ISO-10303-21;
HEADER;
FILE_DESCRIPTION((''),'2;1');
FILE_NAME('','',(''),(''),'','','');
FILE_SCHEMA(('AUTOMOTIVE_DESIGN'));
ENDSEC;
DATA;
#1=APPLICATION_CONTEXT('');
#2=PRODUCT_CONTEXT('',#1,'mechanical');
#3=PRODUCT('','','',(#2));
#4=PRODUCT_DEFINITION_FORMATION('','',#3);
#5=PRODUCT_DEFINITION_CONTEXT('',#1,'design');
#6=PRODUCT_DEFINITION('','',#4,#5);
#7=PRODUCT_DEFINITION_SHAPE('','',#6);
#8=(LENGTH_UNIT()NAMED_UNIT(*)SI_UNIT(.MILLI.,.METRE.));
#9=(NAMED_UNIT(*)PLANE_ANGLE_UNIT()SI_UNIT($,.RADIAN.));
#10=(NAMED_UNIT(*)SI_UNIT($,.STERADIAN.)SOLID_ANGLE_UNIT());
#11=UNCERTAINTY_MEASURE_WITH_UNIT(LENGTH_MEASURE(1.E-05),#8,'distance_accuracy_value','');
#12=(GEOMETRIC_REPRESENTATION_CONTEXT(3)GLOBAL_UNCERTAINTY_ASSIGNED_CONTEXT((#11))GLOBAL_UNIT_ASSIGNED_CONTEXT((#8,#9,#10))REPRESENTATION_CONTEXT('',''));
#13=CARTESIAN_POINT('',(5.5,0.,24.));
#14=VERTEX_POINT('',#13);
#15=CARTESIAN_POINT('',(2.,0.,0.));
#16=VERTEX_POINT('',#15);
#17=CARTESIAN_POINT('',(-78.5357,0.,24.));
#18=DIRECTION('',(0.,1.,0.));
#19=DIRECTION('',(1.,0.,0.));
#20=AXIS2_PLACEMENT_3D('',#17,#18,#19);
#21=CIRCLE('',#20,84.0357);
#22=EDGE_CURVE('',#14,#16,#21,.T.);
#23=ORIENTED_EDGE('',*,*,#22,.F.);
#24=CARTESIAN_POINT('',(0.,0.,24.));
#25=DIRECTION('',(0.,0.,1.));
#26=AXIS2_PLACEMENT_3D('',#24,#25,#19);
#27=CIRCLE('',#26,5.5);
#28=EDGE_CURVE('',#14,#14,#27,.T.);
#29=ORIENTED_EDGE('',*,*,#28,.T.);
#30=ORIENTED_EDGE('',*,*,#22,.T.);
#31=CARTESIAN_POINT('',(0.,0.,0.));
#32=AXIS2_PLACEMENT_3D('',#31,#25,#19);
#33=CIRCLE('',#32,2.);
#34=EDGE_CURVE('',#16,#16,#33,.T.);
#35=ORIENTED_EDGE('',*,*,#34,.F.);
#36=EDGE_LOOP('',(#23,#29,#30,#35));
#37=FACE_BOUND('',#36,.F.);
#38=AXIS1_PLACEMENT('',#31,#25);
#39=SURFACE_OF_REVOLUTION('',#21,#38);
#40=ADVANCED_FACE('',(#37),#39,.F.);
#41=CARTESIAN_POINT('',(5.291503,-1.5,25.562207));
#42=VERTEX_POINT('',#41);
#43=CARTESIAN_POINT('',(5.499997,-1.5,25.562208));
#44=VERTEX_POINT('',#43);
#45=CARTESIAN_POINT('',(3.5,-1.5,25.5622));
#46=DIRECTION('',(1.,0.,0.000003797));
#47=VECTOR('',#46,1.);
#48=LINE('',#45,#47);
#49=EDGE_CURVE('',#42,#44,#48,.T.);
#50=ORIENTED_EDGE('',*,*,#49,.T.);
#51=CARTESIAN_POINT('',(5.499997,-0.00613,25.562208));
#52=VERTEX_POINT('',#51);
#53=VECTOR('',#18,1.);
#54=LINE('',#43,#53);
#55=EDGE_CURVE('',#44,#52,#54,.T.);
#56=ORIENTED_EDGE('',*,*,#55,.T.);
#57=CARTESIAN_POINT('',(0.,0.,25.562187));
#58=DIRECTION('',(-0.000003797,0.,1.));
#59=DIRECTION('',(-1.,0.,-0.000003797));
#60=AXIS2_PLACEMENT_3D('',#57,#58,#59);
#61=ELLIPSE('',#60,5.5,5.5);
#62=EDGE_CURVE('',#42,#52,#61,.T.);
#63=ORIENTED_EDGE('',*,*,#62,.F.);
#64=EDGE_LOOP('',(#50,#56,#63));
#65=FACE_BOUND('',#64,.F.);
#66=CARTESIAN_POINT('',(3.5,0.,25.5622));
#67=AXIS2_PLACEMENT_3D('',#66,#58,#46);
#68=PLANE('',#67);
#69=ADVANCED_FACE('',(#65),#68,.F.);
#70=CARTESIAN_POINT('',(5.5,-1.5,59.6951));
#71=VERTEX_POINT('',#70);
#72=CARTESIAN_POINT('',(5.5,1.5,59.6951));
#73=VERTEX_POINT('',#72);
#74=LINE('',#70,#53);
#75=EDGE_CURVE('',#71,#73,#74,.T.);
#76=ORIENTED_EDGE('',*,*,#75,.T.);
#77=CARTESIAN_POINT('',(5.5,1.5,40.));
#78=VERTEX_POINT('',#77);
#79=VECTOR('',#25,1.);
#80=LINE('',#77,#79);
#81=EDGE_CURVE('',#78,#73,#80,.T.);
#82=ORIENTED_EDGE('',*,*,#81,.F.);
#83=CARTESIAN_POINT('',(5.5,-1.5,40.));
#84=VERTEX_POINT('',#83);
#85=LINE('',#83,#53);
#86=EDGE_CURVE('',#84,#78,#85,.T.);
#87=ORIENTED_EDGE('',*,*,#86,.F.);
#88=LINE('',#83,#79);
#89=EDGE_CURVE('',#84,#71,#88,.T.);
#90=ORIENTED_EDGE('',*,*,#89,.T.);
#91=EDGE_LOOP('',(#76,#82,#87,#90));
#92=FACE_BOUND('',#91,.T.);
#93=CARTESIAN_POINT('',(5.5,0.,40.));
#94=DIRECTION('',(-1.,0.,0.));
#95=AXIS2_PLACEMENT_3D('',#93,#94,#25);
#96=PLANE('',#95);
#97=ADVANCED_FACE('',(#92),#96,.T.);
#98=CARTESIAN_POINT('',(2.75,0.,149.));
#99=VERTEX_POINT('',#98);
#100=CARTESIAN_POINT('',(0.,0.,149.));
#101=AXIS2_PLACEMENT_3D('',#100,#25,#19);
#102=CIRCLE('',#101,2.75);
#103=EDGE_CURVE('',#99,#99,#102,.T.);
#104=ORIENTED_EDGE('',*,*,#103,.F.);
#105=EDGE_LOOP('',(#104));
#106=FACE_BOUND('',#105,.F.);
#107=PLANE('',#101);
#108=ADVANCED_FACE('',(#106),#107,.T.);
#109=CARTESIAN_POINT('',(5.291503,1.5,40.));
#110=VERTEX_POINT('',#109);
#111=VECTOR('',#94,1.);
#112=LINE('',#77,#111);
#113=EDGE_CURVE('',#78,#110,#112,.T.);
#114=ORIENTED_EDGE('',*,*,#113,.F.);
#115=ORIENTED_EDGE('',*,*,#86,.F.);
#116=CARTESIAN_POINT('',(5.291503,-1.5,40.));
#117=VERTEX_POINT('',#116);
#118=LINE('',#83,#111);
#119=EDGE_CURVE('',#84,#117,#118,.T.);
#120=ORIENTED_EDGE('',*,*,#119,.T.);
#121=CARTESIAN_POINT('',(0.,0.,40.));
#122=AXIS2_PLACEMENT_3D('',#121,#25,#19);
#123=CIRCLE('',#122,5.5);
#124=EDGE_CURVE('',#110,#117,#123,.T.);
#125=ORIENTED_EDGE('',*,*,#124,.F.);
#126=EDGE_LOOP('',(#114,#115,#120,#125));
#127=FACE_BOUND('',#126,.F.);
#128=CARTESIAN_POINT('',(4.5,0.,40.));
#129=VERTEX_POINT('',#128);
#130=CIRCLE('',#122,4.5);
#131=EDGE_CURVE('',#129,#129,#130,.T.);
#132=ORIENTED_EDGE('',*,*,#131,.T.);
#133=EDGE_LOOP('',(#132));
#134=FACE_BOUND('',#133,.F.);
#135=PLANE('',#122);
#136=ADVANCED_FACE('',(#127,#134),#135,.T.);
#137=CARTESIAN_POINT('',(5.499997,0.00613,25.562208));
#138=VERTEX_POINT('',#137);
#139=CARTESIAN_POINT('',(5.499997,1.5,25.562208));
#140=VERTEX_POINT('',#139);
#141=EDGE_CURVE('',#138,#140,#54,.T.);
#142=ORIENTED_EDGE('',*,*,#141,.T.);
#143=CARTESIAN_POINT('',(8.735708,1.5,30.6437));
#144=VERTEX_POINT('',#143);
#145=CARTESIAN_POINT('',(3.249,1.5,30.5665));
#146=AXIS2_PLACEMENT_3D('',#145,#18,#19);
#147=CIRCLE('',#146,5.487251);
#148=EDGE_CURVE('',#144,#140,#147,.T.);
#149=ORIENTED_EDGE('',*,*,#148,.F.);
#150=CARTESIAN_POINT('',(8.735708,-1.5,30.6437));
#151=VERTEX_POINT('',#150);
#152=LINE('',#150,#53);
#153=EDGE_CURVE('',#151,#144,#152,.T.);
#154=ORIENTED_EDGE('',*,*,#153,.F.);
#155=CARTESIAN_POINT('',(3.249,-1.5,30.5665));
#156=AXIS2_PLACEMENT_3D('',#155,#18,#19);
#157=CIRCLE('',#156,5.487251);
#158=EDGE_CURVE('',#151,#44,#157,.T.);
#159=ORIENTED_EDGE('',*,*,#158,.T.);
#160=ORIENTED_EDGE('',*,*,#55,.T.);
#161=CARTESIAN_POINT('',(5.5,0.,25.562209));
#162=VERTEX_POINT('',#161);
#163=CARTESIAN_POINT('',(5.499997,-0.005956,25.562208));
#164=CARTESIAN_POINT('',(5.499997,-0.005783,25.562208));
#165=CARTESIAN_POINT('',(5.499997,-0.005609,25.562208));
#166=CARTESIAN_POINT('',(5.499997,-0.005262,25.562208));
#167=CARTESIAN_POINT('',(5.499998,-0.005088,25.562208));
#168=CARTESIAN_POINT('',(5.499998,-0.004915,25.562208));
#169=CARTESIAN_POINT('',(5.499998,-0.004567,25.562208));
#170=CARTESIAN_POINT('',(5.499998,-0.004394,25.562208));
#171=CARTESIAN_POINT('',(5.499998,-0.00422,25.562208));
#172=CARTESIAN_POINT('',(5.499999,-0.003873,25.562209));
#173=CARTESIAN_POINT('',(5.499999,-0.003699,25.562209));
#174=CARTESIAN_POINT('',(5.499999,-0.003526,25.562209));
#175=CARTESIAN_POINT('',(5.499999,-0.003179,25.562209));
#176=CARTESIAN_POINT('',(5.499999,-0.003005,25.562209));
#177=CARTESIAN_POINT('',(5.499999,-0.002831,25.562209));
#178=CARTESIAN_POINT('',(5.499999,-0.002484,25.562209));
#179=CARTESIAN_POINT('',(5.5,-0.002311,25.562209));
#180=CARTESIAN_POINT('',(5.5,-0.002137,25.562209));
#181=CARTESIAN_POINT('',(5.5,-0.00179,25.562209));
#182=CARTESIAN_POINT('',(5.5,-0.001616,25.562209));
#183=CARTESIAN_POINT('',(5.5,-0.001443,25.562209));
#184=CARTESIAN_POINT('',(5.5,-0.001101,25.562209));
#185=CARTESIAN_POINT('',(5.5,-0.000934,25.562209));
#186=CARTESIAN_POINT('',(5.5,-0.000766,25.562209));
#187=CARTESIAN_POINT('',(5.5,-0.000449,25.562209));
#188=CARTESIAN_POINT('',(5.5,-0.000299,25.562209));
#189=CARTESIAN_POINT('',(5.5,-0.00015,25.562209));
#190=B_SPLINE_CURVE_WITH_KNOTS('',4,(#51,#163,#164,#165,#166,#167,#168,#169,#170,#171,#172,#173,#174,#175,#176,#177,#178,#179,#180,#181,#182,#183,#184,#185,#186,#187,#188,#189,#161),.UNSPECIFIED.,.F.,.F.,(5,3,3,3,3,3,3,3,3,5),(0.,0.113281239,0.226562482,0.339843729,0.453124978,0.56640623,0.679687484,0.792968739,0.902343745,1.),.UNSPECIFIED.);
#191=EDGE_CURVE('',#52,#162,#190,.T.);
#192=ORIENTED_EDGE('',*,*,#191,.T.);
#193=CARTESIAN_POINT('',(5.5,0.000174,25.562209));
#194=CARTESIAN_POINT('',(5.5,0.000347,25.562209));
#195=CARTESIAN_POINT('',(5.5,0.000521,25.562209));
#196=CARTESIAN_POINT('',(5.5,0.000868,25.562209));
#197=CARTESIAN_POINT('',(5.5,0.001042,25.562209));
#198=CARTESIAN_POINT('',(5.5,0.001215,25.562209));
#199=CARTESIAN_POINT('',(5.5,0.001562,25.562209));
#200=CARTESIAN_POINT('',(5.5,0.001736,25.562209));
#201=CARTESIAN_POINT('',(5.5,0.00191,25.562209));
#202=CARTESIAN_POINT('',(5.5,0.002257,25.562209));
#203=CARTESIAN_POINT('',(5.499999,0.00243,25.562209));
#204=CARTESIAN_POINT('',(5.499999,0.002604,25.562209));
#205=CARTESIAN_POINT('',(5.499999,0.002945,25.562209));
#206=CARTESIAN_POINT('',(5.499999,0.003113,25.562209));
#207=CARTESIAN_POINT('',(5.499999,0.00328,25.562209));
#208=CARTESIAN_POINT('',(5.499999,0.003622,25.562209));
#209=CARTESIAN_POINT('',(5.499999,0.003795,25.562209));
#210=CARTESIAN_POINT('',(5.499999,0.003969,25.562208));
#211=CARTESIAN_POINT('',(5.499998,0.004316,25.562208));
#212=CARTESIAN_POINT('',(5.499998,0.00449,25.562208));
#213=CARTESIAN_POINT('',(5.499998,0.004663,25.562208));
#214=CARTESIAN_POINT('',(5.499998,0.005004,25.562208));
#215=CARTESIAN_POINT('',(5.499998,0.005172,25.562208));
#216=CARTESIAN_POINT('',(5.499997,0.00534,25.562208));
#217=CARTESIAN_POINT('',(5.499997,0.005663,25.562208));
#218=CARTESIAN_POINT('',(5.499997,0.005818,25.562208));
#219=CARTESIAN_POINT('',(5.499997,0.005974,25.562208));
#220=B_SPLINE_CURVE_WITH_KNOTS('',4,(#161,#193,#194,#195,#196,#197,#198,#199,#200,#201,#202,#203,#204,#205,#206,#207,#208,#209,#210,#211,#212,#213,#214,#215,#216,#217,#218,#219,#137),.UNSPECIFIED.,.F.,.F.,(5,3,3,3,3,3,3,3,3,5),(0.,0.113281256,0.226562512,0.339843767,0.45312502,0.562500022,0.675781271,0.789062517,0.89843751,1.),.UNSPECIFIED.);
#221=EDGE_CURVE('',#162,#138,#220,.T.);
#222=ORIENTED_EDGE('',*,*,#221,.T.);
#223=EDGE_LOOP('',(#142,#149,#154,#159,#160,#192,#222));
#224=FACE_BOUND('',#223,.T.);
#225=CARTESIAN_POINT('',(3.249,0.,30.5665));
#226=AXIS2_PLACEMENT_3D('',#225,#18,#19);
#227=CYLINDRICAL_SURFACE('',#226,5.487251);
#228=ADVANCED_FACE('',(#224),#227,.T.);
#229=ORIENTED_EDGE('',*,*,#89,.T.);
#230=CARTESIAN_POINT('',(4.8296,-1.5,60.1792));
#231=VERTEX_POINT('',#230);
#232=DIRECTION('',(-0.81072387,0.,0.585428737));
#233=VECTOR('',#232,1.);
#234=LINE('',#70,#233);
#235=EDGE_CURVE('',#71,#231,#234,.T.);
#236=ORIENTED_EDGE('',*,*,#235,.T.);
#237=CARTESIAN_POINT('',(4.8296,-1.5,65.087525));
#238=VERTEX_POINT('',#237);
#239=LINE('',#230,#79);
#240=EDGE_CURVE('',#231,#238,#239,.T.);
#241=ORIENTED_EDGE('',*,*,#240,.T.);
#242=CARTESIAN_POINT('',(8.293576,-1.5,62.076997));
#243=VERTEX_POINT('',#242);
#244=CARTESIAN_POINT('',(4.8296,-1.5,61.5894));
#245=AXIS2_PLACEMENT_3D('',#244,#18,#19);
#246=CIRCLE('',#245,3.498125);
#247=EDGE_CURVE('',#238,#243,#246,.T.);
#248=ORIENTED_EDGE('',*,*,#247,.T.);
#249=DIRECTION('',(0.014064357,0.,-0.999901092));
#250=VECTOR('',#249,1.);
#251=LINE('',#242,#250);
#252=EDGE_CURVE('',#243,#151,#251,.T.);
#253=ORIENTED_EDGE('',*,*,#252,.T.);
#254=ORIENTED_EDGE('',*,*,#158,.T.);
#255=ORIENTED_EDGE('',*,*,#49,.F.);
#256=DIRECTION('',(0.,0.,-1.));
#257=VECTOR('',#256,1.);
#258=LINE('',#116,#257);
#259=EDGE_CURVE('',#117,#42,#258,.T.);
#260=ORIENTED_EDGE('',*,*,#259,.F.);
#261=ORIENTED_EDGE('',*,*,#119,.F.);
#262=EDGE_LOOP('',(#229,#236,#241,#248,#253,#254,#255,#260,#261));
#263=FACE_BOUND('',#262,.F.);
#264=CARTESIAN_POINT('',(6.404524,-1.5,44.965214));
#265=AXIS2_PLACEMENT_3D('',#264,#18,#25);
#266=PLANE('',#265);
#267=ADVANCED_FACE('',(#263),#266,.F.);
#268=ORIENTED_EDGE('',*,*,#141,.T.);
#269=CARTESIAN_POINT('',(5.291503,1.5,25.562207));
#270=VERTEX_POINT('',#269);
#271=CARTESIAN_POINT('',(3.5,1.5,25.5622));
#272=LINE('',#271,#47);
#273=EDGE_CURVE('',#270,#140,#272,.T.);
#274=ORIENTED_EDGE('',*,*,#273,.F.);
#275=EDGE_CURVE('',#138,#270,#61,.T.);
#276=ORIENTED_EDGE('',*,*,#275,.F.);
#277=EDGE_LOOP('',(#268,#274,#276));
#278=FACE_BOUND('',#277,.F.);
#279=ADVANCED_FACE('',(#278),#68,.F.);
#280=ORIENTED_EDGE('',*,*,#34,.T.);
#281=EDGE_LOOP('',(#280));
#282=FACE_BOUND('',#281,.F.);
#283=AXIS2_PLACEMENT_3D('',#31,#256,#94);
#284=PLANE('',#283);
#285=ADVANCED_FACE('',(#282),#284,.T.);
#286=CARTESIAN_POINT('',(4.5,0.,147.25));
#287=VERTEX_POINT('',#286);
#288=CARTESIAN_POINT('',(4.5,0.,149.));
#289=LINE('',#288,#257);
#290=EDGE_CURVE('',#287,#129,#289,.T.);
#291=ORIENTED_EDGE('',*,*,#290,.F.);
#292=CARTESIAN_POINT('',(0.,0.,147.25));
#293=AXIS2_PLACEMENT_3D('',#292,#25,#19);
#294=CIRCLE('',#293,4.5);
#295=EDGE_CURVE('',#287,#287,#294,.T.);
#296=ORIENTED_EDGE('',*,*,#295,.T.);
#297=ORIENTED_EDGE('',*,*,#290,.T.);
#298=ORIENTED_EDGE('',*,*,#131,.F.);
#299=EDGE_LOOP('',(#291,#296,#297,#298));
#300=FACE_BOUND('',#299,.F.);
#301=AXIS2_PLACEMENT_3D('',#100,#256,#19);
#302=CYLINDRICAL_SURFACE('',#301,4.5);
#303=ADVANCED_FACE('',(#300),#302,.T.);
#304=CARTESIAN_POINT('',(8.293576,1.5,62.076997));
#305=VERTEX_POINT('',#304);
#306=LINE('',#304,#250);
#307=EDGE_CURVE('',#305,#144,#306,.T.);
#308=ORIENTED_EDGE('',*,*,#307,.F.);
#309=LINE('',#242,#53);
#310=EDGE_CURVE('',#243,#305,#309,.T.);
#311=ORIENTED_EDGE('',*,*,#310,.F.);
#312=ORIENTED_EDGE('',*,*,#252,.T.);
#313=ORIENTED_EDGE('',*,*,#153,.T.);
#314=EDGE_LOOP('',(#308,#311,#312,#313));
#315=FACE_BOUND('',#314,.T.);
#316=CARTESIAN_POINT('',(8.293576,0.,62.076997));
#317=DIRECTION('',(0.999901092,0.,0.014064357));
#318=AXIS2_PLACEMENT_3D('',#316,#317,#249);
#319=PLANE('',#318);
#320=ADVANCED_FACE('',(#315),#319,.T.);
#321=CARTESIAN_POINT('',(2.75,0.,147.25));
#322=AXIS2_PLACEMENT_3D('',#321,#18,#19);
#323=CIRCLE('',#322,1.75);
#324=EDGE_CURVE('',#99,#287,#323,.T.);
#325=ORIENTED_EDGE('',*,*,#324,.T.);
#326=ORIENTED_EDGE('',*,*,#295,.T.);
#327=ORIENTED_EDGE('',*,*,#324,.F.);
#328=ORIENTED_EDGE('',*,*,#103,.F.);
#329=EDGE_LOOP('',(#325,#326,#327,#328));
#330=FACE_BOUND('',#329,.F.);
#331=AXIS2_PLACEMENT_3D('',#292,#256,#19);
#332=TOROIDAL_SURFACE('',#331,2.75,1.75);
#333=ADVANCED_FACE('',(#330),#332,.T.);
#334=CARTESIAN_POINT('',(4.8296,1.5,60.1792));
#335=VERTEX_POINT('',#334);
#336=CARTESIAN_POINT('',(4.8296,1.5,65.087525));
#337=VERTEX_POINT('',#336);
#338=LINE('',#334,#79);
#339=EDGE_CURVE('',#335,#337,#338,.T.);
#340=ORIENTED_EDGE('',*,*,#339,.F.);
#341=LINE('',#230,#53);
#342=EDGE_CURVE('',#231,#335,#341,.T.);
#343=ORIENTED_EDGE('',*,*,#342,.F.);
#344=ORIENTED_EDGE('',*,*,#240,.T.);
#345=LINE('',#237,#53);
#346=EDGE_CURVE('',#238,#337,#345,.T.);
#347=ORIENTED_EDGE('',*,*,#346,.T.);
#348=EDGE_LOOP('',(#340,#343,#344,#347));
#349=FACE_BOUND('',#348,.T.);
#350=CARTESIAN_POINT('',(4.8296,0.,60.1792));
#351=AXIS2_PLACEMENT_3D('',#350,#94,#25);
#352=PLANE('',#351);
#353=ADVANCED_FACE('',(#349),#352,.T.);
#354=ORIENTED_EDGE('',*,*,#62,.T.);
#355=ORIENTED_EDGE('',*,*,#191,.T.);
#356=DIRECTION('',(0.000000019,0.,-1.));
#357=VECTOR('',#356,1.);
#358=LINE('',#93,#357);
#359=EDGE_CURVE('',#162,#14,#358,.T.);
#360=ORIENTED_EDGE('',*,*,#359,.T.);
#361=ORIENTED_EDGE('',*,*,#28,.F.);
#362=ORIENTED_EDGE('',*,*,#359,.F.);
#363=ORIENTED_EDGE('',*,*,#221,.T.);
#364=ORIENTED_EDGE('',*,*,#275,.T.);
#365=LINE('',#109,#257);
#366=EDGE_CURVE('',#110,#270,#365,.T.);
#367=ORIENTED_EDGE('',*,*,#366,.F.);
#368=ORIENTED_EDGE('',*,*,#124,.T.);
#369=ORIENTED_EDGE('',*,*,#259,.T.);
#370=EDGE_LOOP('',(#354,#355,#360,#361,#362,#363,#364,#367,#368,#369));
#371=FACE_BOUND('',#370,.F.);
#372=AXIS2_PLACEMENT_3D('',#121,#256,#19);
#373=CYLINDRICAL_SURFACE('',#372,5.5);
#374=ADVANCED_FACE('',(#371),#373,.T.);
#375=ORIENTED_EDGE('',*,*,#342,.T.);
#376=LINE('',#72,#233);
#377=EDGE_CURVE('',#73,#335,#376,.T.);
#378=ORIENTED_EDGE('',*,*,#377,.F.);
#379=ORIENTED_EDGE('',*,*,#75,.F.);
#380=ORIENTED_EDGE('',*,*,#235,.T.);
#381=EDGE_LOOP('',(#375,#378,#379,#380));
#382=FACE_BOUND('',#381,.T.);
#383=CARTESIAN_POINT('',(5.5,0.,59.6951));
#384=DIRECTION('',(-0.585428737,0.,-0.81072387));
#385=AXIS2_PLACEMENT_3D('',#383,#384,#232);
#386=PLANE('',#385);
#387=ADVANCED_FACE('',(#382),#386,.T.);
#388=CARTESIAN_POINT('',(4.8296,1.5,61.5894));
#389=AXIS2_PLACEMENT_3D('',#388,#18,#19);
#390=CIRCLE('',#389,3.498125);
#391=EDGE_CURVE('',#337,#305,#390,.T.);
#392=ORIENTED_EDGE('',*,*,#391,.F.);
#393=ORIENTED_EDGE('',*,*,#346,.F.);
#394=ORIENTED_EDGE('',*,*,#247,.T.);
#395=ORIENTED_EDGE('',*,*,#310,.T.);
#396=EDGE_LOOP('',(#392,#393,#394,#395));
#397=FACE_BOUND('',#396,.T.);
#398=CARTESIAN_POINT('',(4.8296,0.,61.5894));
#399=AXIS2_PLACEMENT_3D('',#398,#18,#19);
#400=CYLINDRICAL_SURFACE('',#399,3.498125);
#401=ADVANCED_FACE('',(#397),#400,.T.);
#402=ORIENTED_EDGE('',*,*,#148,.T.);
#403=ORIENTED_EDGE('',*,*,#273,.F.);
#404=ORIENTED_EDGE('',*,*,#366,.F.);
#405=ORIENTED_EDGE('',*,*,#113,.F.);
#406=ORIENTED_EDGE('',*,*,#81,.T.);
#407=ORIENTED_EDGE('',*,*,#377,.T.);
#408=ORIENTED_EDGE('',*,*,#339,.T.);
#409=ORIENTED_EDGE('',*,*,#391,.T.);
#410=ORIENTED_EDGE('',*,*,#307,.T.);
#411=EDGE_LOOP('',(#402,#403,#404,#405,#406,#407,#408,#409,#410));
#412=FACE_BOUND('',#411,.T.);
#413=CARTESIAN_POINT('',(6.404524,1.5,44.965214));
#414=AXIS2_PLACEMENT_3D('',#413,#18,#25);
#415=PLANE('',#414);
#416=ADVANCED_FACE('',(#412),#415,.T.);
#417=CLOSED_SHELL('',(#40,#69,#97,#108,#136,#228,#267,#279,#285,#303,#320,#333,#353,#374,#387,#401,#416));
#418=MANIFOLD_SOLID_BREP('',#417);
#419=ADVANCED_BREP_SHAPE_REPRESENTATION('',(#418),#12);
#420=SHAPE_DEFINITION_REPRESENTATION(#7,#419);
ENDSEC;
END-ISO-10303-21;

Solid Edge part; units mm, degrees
sketch "Sketch1" plane through (0, 0, 0) normal (0, -1, 0) x (1, 0, 0)
  line L0 (0, 149) -> (4.5, 149)
  line L1 (4.5, 149) -> (4.5, 40)
  line L2 (4.5, 40) -> (5.5, 40)
  line L3 (5.5, 40) -> (5.5, 24)
  arc A0 (5.5, 24) -> (2, 0) centre (-78.5357, 24) cw
  line L4 (2, 0) -> (0, 0)
  dimension "D1" = 149
  dimension "D2" = 4.5
  dimension "D3" = 1
  dimension "D4" = 16
  dimension "D5" = 40
  dimension "D6" = 2
revolve "RevolvedProtrusion1" add sketch "Sketch1" angle 360 about axis through (0, 0, 0) along (0, 0, 1)
sketch "Sketch2" plane through (0, 0, 0) normal (0, -1, 0) x (1, 0, 0)
  line L0 (5.5, 40) -> (5.5, 59.6951)
  line L1 (5.5, 59.6951) -> (4.8296, 60.1792)
  line L2 (4.8296, 60.1792) -> (4.8296, 65.0875)
  arc A0 (4.8296, 65.0875) -> (8.2936, 62.077) centre (4.8296, 61.5894) cw
  line L3 (8.2936, 62.077) -> (8.7357, 30.6437)
  arc A1 (8.7357, 30.6437) -> (5.5, 25.5622) centre (3.249, 30.5665) cw
  line L4 (3.5, 25.5622) -> (5.5, 25.5622)
  line L5 (3.5, 40) -> (3.5, 25.5622)
  line L6 (5.5, 40) -> (3.5, 40)
  dimension "D1" = 2
extrude "Protrusion1" add sketch "Sketch2" along normal mid plane 3
fillet "Round_1" radius 1.75 1 edges at (-4.5, 0, 149)
